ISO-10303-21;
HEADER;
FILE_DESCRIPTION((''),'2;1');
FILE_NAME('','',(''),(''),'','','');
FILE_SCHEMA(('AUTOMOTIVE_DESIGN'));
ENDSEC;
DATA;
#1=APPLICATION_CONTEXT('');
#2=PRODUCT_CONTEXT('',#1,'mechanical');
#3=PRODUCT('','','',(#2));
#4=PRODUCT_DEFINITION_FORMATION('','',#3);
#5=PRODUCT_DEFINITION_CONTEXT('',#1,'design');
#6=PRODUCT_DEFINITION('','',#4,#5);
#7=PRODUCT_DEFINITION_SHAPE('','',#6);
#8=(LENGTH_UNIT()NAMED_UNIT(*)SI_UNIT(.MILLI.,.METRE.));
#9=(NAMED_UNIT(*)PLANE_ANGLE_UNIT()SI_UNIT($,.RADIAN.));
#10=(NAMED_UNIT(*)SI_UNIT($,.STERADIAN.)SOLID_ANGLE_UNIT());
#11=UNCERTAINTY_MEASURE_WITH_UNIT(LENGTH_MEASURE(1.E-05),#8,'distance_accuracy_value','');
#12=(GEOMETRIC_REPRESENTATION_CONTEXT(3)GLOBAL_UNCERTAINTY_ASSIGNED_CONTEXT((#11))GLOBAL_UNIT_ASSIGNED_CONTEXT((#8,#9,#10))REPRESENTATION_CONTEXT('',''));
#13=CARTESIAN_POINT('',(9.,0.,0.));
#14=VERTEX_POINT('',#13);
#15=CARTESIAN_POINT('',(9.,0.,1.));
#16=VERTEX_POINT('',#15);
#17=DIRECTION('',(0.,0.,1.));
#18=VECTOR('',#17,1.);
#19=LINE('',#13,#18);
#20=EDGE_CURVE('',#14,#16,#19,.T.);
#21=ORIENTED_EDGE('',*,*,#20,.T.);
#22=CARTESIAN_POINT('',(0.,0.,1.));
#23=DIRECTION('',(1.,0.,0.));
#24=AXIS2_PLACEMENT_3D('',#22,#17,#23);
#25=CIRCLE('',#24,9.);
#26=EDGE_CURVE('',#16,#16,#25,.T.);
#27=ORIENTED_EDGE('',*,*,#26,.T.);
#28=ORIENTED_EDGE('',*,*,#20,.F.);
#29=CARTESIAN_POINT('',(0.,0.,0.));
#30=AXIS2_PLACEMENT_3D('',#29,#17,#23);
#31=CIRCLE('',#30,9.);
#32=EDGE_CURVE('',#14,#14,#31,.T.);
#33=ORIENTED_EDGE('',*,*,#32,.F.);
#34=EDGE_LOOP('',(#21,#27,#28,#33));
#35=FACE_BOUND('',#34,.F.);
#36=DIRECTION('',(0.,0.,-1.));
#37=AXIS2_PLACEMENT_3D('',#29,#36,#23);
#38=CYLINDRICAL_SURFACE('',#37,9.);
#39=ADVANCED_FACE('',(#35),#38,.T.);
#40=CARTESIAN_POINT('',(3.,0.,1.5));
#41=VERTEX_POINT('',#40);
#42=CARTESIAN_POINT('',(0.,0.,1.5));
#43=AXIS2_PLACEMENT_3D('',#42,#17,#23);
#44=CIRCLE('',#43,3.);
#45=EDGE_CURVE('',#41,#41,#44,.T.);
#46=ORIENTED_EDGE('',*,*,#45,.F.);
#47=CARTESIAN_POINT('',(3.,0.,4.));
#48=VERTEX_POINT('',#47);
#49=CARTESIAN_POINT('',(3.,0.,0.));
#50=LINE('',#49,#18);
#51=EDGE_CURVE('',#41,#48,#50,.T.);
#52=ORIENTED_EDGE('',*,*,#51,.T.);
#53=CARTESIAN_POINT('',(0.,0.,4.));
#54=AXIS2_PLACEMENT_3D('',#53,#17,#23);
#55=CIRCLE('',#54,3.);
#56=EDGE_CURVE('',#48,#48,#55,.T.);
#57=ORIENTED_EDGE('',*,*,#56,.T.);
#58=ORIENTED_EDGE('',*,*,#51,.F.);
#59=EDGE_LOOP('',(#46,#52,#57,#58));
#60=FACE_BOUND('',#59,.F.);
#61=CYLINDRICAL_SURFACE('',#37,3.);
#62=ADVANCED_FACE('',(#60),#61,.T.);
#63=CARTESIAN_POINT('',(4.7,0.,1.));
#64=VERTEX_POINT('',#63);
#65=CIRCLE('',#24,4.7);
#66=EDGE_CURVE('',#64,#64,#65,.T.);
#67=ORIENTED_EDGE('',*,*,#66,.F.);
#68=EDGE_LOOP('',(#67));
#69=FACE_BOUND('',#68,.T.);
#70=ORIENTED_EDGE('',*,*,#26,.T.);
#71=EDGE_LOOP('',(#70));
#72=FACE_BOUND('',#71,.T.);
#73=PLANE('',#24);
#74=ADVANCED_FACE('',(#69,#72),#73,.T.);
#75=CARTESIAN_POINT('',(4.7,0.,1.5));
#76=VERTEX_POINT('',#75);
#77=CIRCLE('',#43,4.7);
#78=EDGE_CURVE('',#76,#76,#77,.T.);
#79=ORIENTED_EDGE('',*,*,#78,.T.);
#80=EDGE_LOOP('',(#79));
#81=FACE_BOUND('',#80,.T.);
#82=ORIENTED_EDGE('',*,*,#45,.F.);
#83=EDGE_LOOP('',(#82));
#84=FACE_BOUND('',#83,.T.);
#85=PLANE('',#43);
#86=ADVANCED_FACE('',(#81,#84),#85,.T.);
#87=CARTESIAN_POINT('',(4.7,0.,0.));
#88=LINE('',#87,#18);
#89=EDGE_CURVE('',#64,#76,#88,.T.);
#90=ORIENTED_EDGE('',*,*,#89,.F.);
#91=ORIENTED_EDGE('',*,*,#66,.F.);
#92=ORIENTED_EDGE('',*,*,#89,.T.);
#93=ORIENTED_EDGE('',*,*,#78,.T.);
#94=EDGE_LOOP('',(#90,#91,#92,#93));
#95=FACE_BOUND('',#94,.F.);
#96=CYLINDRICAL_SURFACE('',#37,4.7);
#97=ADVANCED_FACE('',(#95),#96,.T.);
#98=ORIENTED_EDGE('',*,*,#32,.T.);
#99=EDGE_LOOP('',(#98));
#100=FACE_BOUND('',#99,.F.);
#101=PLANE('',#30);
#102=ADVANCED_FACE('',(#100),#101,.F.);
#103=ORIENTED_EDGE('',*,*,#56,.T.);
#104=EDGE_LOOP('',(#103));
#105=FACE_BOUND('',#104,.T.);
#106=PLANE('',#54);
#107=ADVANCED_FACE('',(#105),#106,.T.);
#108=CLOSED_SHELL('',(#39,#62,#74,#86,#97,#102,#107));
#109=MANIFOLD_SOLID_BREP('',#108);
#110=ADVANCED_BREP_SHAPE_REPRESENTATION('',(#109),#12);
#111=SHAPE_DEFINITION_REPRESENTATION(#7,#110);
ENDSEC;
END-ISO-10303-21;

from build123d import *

# Parameters (mm, degrees)
F0_R     = 3
F1_DEPTH = 4
F0_R_2   = 9
F0_R_3   = 4.7
F2_DEPTH = 1
F3_DEPTH = 1.5


with BuildPart() as f1:
    # F0 (on Top) → F1 (new body)
    with BuildSketch(Plane.XY):
        Circle(F0_R)
    extrude(amount=F1_DEPTH)



with BuildPart() as f2:
    # F0 (on Top) → F2 (new body)
    with BuildSketch(Plane.XY):
        Circle(F0_R_2)
        Circle(F0_R_3, mode=Mode.SUBTRACT)
    extrude(amount=F2_DEPTH)


with BuildPart() as f1_1:
    add(f1.part)

    add(f2.part)  # F3 merges F2
    # F0 (on Top) → F3 (join)
    with BuildSketch(Plane.XY):
        Circle(F0_R_3)
        Circle(F0_R, mode=Mode.SUBTRACT)
    extrude(amount=F3_DEPTH)


solid = f1_1.part
